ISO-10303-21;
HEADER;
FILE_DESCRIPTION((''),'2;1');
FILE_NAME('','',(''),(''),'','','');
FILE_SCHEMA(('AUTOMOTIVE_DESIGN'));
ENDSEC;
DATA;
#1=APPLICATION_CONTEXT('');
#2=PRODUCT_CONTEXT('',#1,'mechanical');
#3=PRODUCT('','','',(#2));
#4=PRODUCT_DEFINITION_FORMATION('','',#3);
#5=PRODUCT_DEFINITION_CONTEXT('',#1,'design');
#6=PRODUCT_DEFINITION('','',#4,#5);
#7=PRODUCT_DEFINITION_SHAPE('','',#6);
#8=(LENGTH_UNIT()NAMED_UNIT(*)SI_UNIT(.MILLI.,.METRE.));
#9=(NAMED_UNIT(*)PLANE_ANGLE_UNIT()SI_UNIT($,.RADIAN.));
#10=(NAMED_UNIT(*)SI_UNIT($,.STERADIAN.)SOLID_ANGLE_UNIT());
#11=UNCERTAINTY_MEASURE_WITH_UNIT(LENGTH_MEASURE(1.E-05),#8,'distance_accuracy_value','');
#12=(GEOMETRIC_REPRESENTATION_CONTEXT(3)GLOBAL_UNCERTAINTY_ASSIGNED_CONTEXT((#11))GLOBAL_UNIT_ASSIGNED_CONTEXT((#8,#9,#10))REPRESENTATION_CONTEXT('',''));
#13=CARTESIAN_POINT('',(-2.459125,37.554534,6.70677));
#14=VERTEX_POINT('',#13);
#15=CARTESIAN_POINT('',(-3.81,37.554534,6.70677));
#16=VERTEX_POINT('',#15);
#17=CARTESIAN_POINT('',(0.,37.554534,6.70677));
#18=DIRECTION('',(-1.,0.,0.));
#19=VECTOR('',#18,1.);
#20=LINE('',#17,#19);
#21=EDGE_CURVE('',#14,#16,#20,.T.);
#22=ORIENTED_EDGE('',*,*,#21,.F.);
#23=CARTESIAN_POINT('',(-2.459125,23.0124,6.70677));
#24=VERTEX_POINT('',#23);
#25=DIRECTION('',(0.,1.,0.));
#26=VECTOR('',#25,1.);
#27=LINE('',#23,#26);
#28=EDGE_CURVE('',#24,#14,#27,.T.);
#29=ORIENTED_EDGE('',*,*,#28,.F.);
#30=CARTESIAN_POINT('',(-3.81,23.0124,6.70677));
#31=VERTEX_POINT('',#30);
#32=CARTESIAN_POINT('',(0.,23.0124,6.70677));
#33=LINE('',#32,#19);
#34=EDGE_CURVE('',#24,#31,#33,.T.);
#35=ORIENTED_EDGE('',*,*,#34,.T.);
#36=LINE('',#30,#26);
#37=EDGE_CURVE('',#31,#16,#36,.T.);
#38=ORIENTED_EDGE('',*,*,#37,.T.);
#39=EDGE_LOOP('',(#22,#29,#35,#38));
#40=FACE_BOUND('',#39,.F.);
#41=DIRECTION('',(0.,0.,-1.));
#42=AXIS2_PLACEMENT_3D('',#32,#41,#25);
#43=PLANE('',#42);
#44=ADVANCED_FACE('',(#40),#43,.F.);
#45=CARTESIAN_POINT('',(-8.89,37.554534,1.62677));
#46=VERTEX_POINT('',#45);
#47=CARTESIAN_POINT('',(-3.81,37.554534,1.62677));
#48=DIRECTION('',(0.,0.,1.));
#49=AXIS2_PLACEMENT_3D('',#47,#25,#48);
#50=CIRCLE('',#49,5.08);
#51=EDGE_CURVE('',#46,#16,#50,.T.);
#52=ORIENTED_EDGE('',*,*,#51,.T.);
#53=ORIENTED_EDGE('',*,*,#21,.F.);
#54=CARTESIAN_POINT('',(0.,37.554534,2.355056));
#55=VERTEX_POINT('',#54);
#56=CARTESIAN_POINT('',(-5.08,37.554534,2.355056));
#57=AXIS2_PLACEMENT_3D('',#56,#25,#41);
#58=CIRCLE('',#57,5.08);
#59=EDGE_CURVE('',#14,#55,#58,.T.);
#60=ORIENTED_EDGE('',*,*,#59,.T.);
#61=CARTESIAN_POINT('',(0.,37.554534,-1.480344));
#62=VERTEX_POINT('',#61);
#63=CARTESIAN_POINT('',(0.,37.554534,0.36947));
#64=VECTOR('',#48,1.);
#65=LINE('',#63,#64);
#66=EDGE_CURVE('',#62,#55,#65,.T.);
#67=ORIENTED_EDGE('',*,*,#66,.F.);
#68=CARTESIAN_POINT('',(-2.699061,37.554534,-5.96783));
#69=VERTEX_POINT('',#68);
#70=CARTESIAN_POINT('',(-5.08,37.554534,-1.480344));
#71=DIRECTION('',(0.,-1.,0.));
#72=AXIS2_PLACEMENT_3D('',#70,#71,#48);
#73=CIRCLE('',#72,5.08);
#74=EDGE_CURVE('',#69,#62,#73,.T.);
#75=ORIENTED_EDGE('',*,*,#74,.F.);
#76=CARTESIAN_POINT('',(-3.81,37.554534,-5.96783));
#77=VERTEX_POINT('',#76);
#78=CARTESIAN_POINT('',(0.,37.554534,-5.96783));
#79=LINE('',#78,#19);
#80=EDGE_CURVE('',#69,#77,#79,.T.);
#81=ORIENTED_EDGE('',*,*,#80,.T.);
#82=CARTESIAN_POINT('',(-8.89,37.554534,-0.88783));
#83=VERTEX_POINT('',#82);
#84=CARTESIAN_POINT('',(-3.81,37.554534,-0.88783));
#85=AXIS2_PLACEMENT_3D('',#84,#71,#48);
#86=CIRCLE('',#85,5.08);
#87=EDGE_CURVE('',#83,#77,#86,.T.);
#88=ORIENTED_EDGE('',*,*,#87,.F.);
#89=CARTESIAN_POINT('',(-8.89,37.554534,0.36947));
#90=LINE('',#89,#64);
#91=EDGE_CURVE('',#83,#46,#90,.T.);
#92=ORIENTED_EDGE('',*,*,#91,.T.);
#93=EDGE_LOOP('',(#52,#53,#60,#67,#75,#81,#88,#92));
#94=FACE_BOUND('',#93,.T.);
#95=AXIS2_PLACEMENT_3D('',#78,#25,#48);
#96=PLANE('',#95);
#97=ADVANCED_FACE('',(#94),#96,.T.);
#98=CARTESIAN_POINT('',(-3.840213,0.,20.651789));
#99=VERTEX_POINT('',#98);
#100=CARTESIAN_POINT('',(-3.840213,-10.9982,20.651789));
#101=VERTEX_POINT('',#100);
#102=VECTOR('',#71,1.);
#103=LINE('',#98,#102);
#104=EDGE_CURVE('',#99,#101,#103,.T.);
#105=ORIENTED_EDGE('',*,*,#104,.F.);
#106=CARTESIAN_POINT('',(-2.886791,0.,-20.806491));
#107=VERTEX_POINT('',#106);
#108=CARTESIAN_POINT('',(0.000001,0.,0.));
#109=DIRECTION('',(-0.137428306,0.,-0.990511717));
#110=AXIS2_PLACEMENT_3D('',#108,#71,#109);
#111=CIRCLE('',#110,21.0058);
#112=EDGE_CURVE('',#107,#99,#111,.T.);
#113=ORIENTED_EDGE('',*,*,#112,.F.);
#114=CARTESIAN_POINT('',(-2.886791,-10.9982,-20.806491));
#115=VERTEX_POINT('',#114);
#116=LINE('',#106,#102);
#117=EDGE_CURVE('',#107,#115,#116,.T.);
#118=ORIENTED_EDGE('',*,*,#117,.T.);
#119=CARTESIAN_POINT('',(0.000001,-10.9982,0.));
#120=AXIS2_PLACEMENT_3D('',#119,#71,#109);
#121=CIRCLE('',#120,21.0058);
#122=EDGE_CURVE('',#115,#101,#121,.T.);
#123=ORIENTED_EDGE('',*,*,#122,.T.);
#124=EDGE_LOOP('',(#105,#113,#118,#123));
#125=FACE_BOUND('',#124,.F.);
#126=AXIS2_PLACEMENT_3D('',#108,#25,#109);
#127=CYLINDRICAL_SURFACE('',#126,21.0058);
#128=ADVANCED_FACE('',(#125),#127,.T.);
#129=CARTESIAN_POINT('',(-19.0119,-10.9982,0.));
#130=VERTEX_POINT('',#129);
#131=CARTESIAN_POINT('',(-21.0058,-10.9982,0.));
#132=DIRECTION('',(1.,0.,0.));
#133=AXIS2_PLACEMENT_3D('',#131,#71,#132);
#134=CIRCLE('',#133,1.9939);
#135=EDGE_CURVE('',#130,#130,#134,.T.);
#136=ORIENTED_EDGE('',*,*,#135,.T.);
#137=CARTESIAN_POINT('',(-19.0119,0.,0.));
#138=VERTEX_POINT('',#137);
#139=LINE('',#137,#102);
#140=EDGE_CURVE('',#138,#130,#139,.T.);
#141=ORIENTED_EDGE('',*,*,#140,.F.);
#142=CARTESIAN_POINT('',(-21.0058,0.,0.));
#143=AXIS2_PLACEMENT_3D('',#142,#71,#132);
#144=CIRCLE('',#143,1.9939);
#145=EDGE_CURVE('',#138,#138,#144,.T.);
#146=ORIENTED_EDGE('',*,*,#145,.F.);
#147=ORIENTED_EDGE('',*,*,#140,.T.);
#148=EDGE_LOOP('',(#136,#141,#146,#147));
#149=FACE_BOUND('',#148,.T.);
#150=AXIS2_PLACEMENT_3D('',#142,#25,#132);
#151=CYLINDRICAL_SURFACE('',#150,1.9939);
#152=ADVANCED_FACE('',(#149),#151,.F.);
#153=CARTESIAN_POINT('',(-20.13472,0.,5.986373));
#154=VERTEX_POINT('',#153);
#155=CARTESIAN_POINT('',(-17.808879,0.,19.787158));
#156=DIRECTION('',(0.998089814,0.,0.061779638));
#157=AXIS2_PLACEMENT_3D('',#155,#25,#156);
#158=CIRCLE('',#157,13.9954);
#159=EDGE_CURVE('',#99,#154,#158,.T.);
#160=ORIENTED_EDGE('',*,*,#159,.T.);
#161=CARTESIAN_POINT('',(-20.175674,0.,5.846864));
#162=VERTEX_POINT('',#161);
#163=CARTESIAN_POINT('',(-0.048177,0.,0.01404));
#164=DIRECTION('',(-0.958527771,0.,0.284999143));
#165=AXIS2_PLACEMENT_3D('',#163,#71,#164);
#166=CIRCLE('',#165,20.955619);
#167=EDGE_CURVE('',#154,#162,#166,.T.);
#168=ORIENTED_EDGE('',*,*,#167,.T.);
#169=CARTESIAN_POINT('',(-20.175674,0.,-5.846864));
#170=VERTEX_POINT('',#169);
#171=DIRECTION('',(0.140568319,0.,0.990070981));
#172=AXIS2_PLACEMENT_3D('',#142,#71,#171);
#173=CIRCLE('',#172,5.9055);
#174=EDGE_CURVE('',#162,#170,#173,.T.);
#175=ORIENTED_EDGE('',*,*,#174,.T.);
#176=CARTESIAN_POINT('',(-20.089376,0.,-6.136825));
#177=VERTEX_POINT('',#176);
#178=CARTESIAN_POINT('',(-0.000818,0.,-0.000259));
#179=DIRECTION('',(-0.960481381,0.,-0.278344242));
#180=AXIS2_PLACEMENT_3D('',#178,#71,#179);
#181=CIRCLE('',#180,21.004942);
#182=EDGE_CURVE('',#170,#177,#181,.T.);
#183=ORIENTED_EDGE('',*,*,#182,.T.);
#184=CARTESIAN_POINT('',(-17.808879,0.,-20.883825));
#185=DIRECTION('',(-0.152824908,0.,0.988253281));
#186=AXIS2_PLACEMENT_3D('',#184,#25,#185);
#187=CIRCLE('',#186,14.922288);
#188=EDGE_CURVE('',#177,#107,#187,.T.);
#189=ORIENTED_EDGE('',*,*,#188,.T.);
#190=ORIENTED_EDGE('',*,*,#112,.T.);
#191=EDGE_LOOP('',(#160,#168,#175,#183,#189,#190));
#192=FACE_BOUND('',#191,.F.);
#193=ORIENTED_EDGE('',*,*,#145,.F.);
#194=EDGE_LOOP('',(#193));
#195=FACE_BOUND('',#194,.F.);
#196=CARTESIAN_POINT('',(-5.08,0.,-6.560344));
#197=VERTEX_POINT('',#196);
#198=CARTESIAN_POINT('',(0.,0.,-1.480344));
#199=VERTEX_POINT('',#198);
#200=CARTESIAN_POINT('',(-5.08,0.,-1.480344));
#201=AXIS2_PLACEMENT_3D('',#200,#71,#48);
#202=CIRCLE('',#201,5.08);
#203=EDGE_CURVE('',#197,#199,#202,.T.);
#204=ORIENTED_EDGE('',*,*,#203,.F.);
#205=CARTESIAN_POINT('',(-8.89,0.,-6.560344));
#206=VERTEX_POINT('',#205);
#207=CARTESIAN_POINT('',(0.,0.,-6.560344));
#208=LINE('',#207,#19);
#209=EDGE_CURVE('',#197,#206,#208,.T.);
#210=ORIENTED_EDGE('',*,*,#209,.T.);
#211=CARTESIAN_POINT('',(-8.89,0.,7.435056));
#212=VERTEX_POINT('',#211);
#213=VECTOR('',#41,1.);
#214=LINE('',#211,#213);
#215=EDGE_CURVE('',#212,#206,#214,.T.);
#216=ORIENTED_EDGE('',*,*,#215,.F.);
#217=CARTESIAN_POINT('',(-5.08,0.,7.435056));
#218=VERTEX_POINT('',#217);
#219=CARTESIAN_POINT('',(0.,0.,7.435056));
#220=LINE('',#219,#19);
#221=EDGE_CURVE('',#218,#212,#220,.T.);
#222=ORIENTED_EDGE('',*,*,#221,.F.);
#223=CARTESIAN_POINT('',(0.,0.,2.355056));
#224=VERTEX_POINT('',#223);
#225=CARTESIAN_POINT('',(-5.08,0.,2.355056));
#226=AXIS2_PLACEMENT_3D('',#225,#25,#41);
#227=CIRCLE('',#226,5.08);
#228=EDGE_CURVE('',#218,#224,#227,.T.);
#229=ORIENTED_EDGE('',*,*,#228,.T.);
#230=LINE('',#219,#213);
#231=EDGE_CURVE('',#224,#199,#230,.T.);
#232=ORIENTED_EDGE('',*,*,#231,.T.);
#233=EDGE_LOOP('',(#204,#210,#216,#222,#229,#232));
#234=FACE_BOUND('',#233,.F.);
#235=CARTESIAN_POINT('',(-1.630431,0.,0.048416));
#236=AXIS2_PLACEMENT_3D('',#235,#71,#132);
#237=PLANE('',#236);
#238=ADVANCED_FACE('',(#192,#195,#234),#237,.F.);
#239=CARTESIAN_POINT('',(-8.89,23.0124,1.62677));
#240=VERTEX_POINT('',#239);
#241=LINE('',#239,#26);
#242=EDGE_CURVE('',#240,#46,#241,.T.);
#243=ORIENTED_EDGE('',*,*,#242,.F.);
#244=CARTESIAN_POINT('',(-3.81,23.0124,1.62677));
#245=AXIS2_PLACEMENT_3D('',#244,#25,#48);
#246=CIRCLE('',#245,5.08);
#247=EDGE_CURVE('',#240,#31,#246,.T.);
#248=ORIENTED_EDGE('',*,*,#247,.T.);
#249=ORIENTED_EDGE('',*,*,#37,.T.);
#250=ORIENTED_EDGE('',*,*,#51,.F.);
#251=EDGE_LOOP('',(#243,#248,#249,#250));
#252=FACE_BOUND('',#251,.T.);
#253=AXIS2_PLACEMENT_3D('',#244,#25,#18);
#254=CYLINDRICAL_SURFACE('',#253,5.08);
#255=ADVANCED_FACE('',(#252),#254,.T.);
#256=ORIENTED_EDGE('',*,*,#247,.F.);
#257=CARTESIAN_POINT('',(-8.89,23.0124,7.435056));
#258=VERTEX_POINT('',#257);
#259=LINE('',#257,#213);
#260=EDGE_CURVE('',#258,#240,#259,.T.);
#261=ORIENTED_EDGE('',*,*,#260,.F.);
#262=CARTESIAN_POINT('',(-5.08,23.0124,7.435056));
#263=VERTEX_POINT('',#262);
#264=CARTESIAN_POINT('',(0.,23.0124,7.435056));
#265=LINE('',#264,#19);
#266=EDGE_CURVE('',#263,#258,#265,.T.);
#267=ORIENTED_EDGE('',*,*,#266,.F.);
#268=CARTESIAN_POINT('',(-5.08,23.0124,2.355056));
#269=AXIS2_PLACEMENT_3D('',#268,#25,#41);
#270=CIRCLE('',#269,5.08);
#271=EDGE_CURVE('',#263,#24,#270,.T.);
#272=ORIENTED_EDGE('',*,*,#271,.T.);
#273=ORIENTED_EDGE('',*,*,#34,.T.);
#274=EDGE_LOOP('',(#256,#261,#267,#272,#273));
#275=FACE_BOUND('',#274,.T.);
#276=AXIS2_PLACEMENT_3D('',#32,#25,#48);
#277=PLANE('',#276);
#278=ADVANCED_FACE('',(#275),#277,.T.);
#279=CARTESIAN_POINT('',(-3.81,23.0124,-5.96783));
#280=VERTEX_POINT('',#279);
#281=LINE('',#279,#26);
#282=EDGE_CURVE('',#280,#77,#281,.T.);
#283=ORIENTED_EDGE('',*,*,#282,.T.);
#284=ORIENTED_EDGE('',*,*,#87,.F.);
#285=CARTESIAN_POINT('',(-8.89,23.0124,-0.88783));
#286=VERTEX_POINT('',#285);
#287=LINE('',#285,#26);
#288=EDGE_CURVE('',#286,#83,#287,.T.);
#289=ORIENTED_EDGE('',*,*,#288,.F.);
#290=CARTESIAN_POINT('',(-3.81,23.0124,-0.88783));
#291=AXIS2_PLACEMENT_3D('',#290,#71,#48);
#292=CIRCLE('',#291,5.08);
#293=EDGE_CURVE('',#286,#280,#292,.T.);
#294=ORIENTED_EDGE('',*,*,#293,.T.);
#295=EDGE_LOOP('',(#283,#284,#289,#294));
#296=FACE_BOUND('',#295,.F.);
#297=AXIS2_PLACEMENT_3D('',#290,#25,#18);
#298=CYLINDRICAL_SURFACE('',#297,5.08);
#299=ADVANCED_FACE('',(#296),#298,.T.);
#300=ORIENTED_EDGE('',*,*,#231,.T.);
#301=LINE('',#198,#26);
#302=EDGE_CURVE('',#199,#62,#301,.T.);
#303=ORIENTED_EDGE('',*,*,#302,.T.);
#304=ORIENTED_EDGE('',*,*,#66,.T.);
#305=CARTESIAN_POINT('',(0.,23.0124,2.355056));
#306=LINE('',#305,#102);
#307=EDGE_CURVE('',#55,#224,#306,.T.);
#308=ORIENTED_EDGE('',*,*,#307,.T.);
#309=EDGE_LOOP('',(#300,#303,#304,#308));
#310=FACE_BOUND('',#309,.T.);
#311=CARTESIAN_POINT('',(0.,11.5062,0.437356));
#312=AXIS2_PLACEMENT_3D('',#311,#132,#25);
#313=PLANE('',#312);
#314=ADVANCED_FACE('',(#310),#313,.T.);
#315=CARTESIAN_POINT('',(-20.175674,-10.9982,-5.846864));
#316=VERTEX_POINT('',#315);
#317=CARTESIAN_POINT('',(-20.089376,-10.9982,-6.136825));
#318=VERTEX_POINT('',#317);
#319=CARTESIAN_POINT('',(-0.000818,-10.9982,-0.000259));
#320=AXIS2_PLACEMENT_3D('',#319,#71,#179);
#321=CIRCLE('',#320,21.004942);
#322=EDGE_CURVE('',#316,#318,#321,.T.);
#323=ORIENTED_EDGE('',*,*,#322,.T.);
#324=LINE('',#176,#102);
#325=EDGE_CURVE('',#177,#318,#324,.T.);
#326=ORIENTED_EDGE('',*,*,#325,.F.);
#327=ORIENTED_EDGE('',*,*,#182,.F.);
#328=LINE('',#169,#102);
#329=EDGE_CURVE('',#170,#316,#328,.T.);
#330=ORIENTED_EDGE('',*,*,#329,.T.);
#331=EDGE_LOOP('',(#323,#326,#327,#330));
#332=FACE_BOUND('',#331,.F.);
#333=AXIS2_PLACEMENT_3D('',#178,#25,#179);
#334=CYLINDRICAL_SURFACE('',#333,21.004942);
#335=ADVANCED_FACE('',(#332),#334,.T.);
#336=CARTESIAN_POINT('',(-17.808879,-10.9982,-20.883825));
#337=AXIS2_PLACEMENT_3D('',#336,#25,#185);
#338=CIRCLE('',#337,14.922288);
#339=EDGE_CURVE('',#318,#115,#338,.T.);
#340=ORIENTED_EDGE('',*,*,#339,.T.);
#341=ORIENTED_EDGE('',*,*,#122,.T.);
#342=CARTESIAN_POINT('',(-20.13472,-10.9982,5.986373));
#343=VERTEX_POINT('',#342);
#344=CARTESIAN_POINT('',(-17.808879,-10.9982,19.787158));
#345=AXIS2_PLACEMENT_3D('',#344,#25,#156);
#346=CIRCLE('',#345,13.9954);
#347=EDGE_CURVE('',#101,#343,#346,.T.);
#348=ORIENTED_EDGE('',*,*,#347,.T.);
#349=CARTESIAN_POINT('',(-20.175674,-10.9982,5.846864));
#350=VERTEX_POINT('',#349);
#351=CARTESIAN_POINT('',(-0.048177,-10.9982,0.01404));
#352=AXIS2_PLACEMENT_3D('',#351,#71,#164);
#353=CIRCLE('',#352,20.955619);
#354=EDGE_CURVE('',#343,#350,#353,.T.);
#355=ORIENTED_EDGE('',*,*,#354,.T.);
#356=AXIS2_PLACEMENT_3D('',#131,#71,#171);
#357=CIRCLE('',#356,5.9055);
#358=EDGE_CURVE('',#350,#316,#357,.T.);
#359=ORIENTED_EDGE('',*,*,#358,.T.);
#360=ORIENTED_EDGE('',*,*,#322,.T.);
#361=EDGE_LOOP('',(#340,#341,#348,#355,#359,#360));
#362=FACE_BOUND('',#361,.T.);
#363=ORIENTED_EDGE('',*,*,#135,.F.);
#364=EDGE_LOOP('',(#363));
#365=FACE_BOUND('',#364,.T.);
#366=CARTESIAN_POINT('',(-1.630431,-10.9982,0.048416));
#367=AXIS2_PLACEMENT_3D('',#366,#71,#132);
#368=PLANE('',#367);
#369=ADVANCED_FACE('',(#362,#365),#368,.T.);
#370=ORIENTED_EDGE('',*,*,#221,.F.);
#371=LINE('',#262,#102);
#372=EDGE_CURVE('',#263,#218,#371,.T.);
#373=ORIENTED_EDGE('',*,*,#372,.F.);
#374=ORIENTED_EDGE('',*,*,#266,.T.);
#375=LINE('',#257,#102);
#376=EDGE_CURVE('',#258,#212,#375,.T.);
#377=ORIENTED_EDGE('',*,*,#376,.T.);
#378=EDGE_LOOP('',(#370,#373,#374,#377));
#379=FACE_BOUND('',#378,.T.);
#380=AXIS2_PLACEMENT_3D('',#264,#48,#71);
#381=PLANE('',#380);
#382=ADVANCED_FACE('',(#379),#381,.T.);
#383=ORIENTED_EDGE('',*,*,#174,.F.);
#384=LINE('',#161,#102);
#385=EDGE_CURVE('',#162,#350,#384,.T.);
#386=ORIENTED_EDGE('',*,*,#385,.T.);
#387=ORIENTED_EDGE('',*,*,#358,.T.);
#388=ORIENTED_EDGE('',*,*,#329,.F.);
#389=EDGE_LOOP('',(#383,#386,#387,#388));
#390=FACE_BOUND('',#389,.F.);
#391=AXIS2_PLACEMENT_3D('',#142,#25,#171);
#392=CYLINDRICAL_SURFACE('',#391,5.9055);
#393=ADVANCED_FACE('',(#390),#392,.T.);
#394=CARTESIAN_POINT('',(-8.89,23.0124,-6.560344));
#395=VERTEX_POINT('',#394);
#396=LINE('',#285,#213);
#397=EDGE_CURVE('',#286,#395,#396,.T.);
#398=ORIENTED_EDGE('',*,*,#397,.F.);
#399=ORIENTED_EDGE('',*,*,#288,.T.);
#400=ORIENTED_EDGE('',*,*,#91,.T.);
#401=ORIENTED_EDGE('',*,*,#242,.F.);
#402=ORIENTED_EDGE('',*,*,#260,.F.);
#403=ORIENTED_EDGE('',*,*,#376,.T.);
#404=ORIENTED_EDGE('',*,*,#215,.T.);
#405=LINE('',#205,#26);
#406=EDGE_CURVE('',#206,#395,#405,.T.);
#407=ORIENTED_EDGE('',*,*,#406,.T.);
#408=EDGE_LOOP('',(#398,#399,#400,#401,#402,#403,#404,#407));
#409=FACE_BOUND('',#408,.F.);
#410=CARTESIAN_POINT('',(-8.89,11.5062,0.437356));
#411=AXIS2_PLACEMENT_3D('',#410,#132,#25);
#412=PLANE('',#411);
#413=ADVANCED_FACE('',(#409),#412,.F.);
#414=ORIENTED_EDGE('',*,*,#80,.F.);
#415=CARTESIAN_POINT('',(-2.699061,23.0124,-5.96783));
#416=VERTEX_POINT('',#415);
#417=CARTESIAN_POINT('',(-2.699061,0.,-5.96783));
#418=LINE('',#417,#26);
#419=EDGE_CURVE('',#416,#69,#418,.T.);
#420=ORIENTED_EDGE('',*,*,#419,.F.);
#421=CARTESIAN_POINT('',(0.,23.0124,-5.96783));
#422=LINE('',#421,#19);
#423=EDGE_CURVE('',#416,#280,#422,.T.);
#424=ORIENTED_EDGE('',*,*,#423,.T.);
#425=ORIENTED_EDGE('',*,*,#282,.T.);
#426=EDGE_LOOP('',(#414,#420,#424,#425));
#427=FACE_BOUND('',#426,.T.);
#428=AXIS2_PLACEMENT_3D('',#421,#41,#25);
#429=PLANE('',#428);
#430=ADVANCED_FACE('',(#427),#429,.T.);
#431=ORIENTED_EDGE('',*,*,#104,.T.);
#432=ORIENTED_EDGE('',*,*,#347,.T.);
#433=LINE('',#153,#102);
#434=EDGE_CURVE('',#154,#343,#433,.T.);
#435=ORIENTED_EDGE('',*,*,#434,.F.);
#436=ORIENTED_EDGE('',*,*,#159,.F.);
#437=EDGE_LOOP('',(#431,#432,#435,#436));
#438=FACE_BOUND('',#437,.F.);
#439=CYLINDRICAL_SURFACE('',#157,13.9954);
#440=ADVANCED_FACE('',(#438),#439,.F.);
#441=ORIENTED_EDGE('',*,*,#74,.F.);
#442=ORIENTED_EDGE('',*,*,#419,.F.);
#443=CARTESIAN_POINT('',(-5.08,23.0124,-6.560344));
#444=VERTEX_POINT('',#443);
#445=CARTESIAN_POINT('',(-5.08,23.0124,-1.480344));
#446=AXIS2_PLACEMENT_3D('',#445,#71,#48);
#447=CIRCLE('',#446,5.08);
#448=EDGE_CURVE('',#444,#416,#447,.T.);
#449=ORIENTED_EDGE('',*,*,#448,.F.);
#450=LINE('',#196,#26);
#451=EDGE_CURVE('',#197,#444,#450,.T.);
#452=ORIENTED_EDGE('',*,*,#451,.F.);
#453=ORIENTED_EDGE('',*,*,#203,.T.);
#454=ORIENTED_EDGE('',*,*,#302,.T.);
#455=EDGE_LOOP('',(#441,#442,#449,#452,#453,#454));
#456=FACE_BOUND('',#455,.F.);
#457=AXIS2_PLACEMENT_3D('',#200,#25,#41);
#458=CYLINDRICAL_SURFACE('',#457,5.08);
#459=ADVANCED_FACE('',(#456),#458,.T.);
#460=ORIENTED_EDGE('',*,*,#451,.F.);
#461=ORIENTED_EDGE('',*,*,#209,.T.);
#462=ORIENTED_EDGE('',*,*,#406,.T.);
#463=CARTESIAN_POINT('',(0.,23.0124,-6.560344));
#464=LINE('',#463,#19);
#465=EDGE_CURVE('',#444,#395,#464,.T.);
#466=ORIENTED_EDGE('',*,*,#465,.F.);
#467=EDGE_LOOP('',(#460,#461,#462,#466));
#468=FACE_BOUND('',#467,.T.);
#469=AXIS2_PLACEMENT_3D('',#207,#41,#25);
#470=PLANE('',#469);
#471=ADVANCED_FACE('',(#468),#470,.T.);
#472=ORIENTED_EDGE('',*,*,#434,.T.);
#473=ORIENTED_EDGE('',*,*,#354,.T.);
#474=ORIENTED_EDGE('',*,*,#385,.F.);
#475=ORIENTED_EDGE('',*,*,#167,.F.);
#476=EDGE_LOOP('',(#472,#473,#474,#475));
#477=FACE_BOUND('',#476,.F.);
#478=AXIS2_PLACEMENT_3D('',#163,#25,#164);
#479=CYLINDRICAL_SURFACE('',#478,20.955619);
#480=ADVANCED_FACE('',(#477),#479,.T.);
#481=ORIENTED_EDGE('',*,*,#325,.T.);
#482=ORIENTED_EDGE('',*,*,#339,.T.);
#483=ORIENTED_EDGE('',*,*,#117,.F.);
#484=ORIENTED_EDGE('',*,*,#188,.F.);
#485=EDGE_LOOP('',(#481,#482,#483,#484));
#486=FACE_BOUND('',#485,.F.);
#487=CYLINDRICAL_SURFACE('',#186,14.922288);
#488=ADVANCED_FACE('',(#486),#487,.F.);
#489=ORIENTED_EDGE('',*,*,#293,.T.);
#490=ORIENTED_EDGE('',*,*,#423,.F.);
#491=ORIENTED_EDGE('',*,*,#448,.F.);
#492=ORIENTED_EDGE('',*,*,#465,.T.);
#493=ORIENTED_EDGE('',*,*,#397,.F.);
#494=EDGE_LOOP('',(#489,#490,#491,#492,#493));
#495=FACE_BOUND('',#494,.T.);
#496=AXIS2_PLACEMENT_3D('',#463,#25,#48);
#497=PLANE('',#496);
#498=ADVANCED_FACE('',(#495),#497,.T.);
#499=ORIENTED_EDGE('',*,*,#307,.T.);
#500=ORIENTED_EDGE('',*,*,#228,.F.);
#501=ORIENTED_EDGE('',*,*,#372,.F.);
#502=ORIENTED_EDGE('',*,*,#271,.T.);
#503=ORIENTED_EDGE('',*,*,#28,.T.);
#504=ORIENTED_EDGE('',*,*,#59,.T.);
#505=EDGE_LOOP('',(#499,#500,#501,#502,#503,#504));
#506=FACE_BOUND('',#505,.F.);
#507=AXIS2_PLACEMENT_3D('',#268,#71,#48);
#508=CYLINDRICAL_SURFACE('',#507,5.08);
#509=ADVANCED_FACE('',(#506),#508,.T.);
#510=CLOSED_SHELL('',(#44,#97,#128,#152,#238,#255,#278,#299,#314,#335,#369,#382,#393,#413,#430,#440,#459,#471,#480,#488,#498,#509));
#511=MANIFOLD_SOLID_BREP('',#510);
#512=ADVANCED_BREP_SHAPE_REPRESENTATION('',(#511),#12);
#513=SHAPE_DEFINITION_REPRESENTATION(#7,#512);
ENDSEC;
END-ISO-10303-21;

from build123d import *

# Parameters (mm, degrees)
F0_R     = 1.9939
F1_DEPTH = 10.9982
F2_W     = 14.542134
F2_H     = 12.6746
F3_DEPTH = 8.89
F4_R     = 5.08


with BuildPart() as f1:
    # F0 (on Front) → F1 (new body)
    with BuildSketch(Plane.XZ):
        with BuildLine():
            ThreePointArc((-20.13472, 5.986373), (-20.155318, 5.916654), (-20.175674, 5.846864))
            ThreePointArc((-20.175674, 5.846864), (-26.9113, 0), (-20.175674, -5.846864))
            ThreePointArc((-20.175674, -5.846864), (-20.133047, -5.992), (-20.089376, -6.136825))
            ThreePointArc((-20.089376, -6.136825), (-8.126305, -9.529423), (-2.886791, -20.806491))
            ThreePointArc((-2.886791, -20.806491), (21.000248, 0.482945), (-3.840213, 20.651789))
            ThreePointArc((-3.840213, 20.651789), (-8.446323, 9.384574), (-20.13472, 5.986373))
        make_face()
        with Locations((-21.0058, 0)):
            Circle(F0_R, mode=Mode.SUBTRACT)
    extrude(amount=F1_DEPTH)

    # F2 (on Right) → F3 (join)
    with BuildSketch(Plane.YZ):
        Polygon((0, 7.435056), (0, -6.560344), (23.0124, -6.560344), (23.0124, -5.96783), (23.0124, 6.70677), (23.0124, 7.435056), align=None)
        with Locations((30.283467, 0.36947)):
            Rectangle(F2_W, F2_H)
    extrude(amount=-F3_DEPTH)

    # F4
    f4_edges = [f1.edges().sort_by_distance(p)[0] for p in [
        (0, 11.5062, 7.435056),
        (0, 11.5062, -6.560344),
        (-8.89, 30.283467, 6.70677),
        (-8.89, 30.283467, -5.96783),
    ]]
    fillet(f4_edges, radius=F4_R)


solid = f1.part
